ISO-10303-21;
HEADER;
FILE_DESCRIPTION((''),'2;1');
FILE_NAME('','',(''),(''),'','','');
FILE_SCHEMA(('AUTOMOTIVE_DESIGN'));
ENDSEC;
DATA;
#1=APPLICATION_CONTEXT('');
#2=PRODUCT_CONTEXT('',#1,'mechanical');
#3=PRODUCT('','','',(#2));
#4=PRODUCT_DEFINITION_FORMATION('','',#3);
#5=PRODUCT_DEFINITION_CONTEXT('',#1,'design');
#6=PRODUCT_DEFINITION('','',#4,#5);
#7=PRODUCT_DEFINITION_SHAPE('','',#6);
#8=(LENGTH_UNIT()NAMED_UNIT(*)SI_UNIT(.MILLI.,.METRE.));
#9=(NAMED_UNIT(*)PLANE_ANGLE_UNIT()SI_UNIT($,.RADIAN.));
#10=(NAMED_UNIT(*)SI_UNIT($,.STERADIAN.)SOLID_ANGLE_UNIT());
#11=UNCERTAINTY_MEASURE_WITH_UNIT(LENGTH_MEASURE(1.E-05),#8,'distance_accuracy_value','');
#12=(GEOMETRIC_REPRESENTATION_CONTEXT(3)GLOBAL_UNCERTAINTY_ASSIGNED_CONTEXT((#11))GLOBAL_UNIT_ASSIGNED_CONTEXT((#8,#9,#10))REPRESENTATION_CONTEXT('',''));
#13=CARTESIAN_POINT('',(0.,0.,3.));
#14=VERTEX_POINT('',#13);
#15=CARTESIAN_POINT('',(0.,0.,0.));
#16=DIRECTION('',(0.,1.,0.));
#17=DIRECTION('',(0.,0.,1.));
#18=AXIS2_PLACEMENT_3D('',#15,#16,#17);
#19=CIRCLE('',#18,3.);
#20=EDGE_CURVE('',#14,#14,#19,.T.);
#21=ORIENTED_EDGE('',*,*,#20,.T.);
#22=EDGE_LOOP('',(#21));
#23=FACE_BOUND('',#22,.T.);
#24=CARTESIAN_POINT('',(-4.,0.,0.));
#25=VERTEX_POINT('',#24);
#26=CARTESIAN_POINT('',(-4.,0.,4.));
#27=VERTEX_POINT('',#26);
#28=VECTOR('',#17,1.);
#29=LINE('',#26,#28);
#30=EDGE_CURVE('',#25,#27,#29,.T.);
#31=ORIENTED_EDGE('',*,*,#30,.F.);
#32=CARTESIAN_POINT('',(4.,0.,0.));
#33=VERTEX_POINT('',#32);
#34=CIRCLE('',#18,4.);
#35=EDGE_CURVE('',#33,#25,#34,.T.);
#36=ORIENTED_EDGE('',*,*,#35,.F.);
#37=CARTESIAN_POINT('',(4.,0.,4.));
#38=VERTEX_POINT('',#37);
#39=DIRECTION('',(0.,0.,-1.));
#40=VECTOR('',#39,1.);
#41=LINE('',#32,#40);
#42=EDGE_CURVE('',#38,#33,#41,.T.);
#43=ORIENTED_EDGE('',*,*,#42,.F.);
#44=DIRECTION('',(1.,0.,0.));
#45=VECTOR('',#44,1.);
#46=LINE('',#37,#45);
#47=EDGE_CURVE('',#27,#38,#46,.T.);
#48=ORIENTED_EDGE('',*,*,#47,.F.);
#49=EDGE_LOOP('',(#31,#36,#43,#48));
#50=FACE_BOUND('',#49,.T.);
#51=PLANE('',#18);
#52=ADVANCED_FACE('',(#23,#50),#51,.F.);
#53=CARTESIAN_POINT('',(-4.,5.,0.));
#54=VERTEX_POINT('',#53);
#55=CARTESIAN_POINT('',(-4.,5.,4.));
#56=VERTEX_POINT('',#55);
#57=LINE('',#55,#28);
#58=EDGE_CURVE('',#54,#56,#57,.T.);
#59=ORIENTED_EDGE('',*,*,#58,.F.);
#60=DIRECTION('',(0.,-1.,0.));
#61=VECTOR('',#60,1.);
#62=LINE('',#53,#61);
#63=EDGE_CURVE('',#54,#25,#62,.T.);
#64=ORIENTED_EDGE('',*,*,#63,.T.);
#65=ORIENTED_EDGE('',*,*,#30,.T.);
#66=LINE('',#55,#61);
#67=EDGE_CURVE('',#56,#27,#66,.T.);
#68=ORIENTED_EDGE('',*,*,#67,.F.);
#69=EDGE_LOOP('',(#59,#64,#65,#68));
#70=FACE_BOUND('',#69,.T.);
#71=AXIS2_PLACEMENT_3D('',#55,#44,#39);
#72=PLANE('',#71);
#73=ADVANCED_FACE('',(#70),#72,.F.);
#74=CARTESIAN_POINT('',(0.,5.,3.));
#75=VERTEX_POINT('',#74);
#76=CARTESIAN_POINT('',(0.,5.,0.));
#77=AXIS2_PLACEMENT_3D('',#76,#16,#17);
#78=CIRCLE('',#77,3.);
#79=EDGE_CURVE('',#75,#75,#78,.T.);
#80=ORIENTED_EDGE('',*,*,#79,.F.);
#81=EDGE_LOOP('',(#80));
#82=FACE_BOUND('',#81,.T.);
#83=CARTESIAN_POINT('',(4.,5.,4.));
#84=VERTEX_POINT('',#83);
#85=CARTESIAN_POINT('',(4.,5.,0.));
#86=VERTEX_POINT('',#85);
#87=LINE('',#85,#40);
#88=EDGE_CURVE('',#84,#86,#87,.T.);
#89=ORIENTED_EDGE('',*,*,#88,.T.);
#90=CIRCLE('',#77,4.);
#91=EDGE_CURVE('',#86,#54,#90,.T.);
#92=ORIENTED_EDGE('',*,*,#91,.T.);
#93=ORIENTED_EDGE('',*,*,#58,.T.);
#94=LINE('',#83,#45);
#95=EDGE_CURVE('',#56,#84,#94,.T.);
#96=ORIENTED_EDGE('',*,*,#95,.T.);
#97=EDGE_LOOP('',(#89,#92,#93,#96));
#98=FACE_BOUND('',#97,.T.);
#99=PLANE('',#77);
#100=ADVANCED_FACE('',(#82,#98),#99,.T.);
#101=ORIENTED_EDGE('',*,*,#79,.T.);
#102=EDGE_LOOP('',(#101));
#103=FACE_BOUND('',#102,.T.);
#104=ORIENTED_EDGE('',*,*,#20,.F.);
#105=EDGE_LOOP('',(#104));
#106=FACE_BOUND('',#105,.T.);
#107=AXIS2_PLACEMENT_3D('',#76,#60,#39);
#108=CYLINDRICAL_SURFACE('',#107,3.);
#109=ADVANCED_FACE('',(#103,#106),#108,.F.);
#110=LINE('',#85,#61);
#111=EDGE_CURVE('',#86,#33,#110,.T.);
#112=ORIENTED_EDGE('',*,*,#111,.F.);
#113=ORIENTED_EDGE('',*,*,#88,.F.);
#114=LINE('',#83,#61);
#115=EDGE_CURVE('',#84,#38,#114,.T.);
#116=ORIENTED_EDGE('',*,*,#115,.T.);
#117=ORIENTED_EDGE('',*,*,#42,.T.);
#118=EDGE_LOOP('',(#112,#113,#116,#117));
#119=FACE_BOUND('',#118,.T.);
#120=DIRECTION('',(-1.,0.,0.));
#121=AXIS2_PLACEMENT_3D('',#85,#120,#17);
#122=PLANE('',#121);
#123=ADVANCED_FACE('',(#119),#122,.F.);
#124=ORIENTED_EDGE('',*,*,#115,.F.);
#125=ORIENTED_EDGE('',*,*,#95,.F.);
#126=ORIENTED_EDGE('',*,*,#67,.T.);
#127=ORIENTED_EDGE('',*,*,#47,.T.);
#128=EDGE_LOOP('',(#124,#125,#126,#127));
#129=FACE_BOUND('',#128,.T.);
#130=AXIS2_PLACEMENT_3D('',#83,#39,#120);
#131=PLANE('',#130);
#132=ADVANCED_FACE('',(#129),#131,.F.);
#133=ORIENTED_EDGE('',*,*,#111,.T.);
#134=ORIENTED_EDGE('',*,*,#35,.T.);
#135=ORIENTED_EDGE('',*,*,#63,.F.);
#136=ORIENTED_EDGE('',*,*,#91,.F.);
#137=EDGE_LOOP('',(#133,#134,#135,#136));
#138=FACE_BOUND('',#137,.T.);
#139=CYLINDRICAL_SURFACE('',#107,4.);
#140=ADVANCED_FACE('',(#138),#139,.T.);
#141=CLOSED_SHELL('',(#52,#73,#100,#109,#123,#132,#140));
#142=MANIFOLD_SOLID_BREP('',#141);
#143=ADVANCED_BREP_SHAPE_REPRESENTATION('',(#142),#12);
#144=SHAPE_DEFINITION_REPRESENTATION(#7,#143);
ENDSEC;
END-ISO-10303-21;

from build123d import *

# Parameters (mm, degrees)
SKETCH1_R           = 3
BOSS_EXTRUDE1_DEPTH = 5


with BuildPart() as part:
    # Sketch1 → Boss-Extrude1 (new body)
    with BuildSketch(Plane(origin=(0, 0, 0), x_dir=(1, 0, 0), z_dir=(0, 1, 0))):
        with BuildLine():
            Line((4, 0), (4, -4))
            Line((4, -4), (-4, -4))
            Line((-4, -4), (-4, 0))
            ThreePointArc((-4, 0), (0, 4), (4, 0))
        make_face()
        with Locations(Location((0, 0, 0), (0, 0, 270))):
            Circle(SKETCH1_R, mode=Mode.SUBTRACT)
    extrude(amount=BOSS_EXTRUDE1_DEPTH)


solid = part.part
